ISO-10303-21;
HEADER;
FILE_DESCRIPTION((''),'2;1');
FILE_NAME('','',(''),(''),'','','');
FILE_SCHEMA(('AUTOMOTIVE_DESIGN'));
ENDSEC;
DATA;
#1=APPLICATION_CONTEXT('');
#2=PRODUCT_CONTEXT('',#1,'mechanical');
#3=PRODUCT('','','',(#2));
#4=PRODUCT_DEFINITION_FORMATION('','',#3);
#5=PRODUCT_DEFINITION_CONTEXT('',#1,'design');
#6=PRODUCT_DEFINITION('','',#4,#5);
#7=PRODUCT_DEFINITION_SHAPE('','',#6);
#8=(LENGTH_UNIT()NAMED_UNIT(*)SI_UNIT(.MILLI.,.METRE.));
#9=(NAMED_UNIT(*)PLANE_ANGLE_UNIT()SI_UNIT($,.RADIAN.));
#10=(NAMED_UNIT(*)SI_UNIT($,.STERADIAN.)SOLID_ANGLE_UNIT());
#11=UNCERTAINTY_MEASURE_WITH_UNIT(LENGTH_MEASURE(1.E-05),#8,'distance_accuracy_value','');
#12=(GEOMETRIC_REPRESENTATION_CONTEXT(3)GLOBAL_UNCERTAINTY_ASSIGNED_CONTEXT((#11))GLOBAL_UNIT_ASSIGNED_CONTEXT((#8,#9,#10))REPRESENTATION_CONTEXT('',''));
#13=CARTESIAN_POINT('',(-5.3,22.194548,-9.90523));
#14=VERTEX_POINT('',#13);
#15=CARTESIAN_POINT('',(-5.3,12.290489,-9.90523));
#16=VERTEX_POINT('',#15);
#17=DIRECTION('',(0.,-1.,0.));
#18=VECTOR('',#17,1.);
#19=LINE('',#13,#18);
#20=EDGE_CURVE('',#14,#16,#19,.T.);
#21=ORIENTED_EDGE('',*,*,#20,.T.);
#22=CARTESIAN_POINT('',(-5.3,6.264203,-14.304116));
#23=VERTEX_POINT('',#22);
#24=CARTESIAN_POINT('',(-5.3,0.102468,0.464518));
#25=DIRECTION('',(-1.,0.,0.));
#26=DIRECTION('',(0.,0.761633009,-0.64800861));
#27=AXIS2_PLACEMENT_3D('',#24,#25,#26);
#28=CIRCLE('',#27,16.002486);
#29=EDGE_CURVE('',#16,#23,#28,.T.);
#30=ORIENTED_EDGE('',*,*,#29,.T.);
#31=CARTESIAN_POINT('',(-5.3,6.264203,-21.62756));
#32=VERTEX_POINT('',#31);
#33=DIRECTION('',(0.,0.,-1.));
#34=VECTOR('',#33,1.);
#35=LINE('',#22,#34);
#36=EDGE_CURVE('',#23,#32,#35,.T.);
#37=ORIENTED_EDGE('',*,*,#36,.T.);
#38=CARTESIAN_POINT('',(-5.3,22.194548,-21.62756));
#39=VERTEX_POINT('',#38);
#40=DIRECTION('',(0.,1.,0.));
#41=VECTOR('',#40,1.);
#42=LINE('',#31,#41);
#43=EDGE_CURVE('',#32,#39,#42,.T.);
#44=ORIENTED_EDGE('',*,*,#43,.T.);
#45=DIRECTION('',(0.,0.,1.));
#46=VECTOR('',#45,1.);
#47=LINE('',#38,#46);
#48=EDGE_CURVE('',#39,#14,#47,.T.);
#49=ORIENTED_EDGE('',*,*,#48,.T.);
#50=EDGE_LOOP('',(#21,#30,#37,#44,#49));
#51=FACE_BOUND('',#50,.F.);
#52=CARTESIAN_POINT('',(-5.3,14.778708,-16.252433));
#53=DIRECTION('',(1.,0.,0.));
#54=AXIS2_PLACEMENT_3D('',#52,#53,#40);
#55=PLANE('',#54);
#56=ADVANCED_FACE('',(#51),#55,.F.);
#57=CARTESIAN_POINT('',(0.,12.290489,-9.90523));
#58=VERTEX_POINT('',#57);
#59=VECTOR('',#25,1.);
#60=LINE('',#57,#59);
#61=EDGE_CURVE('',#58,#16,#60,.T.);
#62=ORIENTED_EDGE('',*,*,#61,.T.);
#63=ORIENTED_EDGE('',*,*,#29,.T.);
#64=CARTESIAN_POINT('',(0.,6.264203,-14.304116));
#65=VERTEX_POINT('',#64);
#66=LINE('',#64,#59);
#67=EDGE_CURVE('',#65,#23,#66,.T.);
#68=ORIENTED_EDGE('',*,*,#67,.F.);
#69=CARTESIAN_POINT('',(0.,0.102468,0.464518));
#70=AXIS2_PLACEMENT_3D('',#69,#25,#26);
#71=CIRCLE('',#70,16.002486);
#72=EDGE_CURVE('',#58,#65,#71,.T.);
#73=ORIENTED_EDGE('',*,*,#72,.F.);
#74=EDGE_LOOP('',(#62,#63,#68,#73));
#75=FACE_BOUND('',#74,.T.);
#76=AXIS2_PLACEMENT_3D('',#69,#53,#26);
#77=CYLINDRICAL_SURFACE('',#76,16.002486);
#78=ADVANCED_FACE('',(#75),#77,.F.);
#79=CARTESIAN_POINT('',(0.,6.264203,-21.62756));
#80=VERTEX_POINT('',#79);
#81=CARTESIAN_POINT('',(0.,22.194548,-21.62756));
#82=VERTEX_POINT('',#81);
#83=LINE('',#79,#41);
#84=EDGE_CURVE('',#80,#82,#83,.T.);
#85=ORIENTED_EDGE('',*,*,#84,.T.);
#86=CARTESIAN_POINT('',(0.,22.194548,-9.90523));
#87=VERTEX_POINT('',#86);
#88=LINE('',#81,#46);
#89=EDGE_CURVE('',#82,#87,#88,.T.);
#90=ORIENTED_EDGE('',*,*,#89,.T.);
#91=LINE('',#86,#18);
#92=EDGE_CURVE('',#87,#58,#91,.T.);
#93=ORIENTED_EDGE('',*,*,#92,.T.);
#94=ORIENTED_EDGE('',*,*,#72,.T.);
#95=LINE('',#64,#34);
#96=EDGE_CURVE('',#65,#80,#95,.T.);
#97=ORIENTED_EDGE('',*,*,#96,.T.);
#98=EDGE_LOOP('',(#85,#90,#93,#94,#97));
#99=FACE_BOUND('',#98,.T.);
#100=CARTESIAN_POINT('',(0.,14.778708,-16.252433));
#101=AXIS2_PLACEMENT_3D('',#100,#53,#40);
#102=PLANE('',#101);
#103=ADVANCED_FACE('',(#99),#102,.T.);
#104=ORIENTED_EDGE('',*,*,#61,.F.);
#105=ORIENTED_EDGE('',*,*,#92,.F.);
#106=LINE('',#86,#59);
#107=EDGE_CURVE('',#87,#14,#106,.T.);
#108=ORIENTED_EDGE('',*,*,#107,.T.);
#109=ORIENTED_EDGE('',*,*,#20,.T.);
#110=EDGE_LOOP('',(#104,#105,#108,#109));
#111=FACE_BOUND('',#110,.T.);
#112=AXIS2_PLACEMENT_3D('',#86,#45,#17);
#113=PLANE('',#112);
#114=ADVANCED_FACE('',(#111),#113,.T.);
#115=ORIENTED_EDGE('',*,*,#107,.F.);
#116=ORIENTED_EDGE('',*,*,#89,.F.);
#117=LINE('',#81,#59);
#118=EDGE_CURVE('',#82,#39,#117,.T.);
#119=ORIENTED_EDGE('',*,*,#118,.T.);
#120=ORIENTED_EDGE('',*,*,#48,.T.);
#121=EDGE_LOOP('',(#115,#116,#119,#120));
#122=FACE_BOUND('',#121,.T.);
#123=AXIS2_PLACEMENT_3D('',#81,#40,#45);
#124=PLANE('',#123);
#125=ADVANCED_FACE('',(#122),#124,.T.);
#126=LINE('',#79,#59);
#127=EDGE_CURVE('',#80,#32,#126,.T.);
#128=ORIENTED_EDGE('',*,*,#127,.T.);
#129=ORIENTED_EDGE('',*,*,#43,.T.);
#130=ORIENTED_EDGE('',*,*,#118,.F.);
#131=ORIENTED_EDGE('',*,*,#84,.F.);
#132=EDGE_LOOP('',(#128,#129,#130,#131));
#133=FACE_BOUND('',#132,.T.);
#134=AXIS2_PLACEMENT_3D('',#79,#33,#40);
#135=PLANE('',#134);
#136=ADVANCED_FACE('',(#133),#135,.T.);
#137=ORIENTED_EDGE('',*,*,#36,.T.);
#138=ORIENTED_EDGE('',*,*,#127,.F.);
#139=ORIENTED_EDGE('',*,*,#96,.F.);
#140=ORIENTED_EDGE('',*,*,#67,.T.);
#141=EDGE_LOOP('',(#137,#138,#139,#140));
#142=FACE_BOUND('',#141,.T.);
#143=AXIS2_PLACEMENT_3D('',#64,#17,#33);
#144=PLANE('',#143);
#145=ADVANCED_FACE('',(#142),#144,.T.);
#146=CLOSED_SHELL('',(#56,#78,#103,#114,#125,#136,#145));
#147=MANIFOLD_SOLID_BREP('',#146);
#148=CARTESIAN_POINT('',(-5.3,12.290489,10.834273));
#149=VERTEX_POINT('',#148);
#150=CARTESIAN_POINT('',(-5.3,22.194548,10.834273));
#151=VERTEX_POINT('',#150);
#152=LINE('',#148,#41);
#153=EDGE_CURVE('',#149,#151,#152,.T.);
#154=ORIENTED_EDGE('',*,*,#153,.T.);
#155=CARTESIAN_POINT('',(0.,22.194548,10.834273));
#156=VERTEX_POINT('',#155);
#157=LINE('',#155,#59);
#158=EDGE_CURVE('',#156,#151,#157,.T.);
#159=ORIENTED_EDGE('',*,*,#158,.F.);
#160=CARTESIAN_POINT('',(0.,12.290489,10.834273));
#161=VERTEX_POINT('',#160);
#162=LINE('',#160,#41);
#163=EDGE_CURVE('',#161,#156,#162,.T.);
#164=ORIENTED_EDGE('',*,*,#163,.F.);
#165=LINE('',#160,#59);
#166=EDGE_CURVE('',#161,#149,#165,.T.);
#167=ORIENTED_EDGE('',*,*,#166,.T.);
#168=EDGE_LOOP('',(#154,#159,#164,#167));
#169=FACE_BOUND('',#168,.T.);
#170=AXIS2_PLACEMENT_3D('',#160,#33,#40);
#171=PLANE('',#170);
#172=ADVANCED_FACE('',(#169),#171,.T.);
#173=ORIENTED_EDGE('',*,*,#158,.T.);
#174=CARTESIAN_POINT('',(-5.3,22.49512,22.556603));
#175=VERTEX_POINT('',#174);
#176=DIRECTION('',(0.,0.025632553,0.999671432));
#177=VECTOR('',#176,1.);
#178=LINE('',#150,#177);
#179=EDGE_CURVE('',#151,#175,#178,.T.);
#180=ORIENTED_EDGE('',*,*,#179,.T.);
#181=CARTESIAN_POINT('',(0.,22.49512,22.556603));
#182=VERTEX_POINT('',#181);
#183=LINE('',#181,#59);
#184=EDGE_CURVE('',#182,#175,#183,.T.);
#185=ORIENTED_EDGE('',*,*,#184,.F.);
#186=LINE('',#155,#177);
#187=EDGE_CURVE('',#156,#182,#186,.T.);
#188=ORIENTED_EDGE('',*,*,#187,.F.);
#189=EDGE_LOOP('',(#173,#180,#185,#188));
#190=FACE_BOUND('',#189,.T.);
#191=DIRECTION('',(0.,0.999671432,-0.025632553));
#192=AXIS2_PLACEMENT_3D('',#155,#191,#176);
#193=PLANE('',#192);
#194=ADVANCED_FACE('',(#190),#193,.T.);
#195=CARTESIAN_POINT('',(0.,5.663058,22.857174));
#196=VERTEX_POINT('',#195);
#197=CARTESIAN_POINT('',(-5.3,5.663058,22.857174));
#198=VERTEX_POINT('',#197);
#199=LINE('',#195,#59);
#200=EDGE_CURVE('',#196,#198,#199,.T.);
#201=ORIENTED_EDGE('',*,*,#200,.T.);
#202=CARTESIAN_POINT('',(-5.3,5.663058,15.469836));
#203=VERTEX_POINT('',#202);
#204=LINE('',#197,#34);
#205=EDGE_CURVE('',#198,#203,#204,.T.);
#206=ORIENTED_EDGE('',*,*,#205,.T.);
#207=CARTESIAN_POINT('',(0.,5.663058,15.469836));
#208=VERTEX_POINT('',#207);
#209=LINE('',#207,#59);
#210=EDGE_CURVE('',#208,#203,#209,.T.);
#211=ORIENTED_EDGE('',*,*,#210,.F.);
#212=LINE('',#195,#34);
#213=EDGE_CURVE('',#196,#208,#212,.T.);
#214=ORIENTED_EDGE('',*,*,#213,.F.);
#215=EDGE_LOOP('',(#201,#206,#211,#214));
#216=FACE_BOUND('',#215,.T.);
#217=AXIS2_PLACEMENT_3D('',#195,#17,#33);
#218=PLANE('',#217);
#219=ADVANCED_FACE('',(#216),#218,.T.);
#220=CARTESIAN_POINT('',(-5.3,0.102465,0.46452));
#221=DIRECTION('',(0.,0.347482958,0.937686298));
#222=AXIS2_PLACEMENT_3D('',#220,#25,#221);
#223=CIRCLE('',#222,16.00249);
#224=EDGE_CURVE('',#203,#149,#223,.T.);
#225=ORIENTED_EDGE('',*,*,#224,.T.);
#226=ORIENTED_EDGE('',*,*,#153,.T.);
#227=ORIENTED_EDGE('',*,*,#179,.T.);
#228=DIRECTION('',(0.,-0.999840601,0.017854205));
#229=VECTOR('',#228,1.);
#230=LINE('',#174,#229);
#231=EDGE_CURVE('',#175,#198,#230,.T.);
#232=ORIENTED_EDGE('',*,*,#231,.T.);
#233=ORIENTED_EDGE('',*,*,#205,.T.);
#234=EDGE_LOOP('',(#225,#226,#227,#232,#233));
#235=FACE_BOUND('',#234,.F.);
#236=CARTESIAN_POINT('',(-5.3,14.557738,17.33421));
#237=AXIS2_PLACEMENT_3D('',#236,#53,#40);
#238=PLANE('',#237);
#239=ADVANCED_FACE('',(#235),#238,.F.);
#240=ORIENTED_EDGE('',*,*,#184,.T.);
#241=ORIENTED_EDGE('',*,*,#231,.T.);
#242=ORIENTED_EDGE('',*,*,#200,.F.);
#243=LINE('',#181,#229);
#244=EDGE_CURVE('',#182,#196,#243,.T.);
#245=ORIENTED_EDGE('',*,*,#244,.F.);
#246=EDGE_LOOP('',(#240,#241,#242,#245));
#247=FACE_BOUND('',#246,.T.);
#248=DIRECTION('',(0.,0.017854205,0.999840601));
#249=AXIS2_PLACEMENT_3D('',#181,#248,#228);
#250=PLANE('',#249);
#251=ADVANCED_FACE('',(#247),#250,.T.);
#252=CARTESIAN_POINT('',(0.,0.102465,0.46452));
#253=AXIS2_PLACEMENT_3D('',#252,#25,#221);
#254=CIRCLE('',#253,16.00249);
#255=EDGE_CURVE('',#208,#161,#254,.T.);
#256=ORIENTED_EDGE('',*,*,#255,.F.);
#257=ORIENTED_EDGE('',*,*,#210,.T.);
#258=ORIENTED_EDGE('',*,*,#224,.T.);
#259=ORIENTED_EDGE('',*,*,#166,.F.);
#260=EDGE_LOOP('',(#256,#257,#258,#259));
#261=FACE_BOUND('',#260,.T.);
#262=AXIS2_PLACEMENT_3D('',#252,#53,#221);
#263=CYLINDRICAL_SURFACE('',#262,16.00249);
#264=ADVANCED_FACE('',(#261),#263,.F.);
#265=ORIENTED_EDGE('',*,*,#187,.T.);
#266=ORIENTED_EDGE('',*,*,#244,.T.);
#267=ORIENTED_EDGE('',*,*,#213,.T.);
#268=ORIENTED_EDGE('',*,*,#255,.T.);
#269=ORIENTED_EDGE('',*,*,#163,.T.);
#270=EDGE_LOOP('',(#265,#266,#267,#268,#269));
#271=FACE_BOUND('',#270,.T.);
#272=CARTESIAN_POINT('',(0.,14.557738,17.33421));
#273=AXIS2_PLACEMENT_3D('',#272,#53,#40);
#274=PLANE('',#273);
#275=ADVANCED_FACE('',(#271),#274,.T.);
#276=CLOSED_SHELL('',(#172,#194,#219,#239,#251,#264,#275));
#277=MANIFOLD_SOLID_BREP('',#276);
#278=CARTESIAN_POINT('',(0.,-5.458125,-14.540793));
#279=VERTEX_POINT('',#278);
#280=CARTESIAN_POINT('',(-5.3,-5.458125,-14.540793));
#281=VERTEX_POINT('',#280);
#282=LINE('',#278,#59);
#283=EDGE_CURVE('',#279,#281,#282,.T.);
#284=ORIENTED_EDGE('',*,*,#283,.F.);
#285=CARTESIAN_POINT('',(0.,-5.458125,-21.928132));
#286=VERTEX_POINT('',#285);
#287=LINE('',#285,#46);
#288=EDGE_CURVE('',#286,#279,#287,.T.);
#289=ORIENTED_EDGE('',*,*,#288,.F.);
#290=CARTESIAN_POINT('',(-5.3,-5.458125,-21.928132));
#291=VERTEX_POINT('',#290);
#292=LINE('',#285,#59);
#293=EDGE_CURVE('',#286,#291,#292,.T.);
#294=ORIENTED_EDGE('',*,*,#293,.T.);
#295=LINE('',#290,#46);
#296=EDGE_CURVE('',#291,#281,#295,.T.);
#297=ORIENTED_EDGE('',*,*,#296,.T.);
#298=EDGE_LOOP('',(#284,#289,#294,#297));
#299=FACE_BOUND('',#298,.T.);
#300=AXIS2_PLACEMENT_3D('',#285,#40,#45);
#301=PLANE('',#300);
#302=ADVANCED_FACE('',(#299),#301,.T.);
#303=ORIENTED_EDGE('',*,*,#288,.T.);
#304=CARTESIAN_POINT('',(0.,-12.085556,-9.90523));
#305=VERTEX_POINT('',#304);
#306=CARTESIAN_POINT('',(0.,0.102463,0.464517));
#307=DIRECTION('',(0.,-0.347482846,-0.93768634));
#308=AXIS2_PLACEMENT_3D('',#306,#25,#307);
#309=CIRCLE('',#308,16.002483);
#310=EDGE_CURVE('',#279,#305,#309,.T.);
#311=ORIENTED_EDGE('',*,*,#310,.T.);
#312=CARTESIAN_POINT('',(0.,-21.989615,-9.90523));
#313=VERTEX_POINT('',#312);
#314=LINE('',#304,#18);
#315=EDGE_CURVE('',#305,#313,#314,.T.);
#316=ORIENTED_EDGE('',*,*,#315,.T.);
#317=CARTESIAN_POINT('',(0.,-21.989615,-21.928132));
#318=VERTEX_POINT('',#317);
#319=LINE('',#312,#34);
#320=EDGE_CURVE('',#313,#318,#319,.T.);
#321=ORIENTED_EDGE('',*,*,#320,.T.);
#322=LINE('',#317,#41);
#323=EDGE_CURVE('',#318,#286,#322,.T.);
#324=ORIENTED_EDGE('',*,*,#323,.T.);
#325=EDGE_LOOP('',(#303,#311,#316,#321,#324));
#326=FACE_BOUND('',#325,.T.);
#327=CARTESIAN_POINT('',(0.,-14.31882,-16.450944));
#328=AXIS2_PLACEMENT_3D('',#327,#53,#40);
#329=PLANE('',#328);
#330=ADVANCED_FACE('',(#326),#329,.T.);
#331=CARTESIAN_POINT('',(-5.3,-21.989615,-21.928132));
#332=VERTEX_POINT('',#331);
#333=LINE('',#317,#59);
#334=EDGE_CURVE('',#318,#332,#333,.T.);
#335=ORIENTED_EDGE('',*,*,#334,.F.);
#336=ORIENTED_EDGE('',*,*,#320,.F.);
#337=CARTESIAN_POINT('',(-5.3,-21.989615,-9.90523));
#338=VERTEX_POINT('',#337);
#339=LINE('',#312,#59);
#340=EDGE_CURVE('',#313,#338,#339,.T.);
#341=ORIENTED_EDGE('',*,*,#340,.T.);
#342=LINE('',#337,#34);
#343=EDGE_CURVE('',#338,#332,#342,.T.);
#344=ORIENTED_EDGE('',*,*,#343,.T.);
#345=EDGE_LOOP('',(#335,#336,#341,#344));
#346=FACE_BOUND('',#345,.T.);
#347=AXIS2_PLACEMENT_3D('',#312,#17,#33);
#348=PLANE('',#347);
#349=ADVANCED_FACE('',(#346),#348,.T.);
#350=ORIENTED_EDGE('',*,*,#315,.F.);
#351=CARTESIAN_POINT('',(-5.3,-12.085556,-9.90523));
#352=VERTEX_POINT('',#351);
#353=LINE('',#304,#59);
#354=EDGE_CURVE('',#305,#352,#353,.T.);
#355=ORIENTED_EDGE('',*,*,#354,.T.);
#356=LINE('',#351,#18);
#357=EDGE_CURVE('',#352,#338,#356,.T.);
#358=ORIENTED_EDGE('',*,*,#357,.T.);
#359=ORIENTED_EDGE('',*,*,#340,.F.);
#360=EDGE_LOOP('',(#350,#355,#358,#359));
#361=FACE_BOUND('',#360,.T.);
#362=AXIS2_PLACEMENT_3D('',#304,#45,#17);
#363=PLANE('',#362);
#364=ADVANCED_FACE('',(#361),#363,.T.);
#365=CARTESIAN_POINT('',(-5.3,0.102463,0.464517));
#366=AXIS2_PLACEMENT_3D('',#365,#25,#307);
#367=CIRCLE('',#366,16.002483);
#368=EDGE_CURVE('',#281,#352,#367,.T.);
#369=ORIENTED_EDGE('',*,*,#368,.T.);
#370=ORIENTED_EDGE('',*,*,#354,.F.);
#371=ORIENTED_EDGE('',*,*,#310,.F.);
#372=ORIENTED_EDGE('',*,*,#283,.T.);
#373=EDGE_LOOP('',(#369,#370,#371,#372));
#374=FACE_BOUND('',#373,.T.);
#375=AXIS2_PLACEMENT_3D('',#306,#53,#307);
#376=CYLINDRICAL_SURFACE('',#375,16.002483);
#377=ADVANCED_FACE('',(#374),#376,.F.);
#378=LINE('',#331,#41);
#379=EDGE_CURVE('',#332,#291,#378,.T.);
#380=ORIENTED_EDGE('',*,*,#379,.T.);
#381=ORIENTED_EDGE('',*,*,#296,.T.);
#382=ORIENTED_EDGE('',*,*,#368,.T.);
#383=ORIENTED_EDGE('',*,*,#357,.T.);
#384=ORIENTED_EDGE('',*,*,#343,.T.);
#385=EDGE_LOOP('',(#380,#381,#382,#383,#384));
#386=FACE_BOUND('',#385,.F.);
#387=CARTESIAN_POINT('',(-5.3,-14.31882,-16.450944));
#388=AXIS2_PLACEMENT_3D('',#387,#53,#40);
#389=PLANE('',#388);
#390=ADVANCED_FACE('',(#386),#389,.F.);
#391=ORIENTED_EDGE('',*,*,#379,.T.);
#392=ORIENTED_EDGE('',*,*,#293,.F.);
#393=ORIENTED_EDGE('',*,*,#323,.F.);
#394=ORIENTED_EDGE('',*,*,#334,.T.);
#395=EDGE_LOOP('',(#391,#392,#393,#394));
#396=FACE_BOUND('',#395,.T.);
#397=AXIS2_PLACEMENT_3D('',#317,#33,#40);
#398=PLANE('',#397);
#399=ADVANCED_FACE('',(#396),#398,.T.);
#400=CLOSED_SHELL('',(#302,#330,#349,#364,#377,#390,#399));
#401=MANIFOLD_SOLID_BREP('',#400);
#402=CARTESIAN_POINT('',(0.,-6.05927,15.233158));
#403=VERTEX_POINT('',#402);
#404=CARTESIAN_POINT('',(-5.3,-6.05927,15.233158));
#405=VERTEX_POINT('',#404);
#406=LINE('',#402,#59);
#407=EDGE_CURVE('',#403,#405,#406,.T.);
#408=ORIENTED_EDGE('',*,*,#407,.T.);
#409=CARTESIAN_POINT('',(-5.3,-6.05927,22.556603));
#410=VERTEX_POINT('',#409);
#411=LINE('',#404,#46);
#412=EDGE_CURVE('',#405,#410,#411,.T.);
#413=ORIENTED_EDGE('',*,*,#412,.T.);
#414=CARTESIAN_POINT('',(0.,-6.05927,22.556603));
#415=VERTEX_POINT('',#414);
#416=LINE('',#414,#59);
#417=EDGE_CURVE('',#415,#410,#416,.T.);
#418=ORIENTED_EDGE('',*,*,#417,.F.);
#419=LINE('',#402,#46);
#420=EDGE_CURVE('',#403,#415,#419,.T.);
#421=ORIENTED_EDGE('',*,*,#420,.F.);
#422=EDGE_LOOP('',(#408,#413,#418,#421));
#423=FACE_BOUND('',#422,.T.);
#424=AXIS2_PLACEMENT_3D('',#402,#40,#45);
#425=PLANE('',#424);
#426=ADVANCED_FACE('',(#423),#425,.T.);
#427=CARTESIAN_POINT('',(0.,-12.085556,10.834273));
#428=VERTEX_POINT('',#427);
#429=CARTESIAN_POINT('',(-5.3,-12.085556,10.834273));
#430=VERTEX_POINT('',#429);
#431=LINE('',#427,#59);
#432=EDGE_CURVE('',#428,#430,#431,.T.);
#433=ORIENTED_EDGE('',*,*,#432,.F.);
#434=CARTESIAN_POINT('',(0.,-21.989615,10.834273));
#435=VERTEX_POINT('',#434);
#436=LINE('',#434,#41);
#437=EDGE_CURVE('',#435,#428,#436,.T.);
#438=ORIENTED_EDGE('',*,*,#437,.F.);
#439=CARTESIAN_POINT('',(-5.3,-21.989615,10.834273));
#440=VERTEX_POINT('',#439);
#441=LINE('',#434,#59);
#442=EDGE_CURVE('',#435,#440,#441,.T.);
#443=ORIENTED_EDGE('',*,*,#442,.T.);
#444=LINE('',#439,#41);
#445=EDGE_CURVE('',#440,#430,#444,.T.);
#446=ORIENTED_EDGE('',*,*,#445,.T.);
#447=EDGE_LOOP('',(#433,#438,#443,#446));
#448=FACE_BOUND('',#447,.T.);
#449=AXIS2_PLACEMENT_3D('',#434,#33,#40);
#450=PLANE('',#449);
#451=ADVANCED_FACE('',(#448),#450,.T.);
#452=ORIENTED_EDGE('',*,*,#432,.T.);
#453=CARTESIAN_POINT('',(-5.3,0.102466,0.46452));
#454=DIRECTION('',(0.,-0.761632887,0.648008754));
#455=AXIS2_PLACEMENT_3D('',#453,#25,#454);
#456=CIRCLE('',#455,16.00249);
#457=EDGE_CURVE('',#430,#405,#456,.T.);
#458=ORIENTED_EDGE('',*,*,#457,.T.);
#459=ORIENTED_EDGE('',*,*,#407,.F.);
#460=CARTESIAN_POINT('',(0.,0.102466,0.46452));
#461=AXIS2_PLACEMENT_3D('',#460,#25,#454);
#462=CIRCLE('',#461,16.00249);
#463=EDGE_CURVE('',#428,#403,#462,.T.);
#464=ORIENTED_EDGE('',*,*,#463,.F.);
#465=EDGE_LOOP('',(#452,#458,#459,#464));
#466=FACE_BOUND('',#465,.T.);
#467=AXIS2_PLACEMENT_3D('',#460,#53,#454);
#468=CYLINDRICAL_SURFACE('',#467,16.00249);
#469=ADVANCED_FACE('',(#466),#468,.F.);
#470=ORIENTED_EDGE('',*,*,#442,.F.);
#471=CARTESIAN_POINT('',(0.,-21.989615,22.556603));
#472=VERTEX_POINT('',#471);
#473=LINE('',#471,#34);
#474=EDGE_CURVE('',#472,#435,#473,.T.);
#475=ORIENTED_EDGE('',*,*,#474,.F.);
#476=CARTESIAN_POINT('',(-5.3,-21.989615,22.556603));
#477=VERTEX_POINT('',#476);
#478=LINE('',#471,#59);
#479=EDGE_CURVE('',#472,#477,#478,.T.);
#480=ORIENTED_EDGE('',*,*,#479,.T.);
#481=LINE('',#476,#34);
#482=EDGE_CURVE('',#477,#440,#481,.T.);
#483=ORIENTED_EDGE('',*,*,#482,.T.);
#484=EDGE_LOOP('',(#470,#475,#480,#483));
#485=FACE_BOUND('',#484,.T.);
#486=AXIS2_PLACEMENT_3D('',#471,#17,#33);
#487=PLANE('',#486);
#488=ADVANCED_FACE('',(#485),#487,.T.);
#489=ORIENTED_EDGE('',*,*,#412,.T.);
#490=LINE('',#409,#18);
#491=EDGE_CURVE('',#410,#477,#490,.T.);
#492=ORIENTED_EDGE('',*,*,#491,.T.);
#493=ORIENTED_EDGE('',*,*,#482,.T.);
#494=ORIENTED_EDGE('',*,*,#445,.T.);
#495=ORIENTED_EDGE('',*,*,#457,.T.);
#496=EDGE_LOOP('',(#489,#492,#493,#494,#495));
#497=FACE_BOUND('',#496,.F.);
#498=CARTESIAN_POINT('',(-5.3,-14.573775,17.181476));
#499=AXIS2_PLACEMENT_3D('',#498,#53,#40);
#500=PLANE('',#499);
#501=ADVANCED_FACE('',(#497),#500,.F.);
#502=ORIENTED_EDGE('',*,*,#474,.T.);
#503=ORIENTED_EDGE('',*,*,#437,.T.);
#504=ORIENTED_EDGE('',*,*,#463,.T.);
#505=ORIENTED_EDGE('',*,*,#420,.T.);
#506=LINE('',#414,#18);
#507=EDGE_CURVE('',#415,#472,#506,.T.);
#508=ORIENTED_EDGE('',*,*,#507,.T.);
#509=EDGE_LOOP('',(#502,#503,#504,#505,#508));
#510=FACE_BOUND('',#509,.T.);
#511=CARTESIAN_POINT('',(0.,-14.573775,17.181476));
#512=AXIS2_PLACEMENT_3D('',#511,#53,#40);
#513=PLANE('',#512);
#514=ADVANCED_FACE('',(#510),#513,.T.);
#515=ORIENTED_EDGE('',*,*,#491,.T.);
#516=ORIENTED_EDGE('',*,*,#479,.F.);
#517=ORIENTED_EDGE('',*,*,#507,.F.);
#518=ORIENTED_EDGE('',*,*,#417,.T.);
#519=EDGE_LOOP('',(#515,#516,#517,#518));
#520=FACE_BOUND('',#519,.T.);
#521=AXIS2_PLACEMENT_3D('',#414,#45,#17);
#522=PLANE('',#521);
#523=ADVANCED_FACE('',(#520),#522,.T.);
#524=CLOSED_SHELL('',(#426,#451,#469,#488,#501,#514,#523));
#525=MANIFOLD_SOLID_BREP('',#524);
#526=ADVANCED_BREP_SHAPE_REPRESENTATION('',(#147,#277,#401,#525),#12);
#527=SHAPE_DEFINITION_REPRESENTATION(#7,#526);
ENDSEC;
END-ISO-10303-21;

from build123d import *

# Parameters (mm, degrees)
F1_DEPTH = 5.3


with BuildPart() as f1:
    # F0 (on Right) → F1 (new body)
    with BuildSketch(Plane.YZ):
        with BuildLine():
            ThreePointArc((-12.085556, 10.834273), (-9.33236, 13.389833), (-6.05927, 15.233158))
            Line((-6.05927, 15.233158), (-6.05927, 22.556603))
            Line((-6.05927, 22.556603), (-21.989615, 22.556603))
            Line((-21.989615, 22.556603), (-21.989615, 10.834273))
            Line((-21.989615, 10.834273), (-12.085556, 10.834273))
        make_face()
        with BuildLine():
            ThreePointArc((5.663058, 15.469836), (9.274459, 13.577652), (12.290489, 10.834273))
            Line((12.290489, 10.834273), (22.194548, 10.834273))
            Line((22.194548, 10.834273), (22.49512, 22.556603))
            Line((22.49512, 22.556603), (5.663058, 22.857174))
            Line((5.663058, 22.857174), (5.663058, 15.469836))
        make_face()
        with BuildLine():
            Line((22.194548, -9.90523), (12.290489, -9.90523))
            ThreePointArc((12.290489, -9.90523), (9.537294, -12.46079), (6.264203, -14.304116))
            Line((6.264203, -14.304116), (6.264203, -21.62756))
            Line((6.264203, -21.62756), (22.194548, -21.62756))
            Line((22.194548, -21.62756), (22.194548, -9.90523))
        make_face()
        with BuildLine():
            Line((-5.458125, -21.928132), (-5.458125, -14.540793))
            ThreePointArc((-5.458125, -14.540793), (-9.069525, -12.64861), (-12.085556, -9.90523))
            Line((-12.085556, -9.90523), (-21.989615, -9.90523))
            Line((-21.989615, -9.90523), (-21.989615, -21.928132))
            Line((-21.989615, -21.928132), (-5.458125, -21.928132))
        make_face()
    extrude(amount=-F1_DEPTH)


solid = f1.part
